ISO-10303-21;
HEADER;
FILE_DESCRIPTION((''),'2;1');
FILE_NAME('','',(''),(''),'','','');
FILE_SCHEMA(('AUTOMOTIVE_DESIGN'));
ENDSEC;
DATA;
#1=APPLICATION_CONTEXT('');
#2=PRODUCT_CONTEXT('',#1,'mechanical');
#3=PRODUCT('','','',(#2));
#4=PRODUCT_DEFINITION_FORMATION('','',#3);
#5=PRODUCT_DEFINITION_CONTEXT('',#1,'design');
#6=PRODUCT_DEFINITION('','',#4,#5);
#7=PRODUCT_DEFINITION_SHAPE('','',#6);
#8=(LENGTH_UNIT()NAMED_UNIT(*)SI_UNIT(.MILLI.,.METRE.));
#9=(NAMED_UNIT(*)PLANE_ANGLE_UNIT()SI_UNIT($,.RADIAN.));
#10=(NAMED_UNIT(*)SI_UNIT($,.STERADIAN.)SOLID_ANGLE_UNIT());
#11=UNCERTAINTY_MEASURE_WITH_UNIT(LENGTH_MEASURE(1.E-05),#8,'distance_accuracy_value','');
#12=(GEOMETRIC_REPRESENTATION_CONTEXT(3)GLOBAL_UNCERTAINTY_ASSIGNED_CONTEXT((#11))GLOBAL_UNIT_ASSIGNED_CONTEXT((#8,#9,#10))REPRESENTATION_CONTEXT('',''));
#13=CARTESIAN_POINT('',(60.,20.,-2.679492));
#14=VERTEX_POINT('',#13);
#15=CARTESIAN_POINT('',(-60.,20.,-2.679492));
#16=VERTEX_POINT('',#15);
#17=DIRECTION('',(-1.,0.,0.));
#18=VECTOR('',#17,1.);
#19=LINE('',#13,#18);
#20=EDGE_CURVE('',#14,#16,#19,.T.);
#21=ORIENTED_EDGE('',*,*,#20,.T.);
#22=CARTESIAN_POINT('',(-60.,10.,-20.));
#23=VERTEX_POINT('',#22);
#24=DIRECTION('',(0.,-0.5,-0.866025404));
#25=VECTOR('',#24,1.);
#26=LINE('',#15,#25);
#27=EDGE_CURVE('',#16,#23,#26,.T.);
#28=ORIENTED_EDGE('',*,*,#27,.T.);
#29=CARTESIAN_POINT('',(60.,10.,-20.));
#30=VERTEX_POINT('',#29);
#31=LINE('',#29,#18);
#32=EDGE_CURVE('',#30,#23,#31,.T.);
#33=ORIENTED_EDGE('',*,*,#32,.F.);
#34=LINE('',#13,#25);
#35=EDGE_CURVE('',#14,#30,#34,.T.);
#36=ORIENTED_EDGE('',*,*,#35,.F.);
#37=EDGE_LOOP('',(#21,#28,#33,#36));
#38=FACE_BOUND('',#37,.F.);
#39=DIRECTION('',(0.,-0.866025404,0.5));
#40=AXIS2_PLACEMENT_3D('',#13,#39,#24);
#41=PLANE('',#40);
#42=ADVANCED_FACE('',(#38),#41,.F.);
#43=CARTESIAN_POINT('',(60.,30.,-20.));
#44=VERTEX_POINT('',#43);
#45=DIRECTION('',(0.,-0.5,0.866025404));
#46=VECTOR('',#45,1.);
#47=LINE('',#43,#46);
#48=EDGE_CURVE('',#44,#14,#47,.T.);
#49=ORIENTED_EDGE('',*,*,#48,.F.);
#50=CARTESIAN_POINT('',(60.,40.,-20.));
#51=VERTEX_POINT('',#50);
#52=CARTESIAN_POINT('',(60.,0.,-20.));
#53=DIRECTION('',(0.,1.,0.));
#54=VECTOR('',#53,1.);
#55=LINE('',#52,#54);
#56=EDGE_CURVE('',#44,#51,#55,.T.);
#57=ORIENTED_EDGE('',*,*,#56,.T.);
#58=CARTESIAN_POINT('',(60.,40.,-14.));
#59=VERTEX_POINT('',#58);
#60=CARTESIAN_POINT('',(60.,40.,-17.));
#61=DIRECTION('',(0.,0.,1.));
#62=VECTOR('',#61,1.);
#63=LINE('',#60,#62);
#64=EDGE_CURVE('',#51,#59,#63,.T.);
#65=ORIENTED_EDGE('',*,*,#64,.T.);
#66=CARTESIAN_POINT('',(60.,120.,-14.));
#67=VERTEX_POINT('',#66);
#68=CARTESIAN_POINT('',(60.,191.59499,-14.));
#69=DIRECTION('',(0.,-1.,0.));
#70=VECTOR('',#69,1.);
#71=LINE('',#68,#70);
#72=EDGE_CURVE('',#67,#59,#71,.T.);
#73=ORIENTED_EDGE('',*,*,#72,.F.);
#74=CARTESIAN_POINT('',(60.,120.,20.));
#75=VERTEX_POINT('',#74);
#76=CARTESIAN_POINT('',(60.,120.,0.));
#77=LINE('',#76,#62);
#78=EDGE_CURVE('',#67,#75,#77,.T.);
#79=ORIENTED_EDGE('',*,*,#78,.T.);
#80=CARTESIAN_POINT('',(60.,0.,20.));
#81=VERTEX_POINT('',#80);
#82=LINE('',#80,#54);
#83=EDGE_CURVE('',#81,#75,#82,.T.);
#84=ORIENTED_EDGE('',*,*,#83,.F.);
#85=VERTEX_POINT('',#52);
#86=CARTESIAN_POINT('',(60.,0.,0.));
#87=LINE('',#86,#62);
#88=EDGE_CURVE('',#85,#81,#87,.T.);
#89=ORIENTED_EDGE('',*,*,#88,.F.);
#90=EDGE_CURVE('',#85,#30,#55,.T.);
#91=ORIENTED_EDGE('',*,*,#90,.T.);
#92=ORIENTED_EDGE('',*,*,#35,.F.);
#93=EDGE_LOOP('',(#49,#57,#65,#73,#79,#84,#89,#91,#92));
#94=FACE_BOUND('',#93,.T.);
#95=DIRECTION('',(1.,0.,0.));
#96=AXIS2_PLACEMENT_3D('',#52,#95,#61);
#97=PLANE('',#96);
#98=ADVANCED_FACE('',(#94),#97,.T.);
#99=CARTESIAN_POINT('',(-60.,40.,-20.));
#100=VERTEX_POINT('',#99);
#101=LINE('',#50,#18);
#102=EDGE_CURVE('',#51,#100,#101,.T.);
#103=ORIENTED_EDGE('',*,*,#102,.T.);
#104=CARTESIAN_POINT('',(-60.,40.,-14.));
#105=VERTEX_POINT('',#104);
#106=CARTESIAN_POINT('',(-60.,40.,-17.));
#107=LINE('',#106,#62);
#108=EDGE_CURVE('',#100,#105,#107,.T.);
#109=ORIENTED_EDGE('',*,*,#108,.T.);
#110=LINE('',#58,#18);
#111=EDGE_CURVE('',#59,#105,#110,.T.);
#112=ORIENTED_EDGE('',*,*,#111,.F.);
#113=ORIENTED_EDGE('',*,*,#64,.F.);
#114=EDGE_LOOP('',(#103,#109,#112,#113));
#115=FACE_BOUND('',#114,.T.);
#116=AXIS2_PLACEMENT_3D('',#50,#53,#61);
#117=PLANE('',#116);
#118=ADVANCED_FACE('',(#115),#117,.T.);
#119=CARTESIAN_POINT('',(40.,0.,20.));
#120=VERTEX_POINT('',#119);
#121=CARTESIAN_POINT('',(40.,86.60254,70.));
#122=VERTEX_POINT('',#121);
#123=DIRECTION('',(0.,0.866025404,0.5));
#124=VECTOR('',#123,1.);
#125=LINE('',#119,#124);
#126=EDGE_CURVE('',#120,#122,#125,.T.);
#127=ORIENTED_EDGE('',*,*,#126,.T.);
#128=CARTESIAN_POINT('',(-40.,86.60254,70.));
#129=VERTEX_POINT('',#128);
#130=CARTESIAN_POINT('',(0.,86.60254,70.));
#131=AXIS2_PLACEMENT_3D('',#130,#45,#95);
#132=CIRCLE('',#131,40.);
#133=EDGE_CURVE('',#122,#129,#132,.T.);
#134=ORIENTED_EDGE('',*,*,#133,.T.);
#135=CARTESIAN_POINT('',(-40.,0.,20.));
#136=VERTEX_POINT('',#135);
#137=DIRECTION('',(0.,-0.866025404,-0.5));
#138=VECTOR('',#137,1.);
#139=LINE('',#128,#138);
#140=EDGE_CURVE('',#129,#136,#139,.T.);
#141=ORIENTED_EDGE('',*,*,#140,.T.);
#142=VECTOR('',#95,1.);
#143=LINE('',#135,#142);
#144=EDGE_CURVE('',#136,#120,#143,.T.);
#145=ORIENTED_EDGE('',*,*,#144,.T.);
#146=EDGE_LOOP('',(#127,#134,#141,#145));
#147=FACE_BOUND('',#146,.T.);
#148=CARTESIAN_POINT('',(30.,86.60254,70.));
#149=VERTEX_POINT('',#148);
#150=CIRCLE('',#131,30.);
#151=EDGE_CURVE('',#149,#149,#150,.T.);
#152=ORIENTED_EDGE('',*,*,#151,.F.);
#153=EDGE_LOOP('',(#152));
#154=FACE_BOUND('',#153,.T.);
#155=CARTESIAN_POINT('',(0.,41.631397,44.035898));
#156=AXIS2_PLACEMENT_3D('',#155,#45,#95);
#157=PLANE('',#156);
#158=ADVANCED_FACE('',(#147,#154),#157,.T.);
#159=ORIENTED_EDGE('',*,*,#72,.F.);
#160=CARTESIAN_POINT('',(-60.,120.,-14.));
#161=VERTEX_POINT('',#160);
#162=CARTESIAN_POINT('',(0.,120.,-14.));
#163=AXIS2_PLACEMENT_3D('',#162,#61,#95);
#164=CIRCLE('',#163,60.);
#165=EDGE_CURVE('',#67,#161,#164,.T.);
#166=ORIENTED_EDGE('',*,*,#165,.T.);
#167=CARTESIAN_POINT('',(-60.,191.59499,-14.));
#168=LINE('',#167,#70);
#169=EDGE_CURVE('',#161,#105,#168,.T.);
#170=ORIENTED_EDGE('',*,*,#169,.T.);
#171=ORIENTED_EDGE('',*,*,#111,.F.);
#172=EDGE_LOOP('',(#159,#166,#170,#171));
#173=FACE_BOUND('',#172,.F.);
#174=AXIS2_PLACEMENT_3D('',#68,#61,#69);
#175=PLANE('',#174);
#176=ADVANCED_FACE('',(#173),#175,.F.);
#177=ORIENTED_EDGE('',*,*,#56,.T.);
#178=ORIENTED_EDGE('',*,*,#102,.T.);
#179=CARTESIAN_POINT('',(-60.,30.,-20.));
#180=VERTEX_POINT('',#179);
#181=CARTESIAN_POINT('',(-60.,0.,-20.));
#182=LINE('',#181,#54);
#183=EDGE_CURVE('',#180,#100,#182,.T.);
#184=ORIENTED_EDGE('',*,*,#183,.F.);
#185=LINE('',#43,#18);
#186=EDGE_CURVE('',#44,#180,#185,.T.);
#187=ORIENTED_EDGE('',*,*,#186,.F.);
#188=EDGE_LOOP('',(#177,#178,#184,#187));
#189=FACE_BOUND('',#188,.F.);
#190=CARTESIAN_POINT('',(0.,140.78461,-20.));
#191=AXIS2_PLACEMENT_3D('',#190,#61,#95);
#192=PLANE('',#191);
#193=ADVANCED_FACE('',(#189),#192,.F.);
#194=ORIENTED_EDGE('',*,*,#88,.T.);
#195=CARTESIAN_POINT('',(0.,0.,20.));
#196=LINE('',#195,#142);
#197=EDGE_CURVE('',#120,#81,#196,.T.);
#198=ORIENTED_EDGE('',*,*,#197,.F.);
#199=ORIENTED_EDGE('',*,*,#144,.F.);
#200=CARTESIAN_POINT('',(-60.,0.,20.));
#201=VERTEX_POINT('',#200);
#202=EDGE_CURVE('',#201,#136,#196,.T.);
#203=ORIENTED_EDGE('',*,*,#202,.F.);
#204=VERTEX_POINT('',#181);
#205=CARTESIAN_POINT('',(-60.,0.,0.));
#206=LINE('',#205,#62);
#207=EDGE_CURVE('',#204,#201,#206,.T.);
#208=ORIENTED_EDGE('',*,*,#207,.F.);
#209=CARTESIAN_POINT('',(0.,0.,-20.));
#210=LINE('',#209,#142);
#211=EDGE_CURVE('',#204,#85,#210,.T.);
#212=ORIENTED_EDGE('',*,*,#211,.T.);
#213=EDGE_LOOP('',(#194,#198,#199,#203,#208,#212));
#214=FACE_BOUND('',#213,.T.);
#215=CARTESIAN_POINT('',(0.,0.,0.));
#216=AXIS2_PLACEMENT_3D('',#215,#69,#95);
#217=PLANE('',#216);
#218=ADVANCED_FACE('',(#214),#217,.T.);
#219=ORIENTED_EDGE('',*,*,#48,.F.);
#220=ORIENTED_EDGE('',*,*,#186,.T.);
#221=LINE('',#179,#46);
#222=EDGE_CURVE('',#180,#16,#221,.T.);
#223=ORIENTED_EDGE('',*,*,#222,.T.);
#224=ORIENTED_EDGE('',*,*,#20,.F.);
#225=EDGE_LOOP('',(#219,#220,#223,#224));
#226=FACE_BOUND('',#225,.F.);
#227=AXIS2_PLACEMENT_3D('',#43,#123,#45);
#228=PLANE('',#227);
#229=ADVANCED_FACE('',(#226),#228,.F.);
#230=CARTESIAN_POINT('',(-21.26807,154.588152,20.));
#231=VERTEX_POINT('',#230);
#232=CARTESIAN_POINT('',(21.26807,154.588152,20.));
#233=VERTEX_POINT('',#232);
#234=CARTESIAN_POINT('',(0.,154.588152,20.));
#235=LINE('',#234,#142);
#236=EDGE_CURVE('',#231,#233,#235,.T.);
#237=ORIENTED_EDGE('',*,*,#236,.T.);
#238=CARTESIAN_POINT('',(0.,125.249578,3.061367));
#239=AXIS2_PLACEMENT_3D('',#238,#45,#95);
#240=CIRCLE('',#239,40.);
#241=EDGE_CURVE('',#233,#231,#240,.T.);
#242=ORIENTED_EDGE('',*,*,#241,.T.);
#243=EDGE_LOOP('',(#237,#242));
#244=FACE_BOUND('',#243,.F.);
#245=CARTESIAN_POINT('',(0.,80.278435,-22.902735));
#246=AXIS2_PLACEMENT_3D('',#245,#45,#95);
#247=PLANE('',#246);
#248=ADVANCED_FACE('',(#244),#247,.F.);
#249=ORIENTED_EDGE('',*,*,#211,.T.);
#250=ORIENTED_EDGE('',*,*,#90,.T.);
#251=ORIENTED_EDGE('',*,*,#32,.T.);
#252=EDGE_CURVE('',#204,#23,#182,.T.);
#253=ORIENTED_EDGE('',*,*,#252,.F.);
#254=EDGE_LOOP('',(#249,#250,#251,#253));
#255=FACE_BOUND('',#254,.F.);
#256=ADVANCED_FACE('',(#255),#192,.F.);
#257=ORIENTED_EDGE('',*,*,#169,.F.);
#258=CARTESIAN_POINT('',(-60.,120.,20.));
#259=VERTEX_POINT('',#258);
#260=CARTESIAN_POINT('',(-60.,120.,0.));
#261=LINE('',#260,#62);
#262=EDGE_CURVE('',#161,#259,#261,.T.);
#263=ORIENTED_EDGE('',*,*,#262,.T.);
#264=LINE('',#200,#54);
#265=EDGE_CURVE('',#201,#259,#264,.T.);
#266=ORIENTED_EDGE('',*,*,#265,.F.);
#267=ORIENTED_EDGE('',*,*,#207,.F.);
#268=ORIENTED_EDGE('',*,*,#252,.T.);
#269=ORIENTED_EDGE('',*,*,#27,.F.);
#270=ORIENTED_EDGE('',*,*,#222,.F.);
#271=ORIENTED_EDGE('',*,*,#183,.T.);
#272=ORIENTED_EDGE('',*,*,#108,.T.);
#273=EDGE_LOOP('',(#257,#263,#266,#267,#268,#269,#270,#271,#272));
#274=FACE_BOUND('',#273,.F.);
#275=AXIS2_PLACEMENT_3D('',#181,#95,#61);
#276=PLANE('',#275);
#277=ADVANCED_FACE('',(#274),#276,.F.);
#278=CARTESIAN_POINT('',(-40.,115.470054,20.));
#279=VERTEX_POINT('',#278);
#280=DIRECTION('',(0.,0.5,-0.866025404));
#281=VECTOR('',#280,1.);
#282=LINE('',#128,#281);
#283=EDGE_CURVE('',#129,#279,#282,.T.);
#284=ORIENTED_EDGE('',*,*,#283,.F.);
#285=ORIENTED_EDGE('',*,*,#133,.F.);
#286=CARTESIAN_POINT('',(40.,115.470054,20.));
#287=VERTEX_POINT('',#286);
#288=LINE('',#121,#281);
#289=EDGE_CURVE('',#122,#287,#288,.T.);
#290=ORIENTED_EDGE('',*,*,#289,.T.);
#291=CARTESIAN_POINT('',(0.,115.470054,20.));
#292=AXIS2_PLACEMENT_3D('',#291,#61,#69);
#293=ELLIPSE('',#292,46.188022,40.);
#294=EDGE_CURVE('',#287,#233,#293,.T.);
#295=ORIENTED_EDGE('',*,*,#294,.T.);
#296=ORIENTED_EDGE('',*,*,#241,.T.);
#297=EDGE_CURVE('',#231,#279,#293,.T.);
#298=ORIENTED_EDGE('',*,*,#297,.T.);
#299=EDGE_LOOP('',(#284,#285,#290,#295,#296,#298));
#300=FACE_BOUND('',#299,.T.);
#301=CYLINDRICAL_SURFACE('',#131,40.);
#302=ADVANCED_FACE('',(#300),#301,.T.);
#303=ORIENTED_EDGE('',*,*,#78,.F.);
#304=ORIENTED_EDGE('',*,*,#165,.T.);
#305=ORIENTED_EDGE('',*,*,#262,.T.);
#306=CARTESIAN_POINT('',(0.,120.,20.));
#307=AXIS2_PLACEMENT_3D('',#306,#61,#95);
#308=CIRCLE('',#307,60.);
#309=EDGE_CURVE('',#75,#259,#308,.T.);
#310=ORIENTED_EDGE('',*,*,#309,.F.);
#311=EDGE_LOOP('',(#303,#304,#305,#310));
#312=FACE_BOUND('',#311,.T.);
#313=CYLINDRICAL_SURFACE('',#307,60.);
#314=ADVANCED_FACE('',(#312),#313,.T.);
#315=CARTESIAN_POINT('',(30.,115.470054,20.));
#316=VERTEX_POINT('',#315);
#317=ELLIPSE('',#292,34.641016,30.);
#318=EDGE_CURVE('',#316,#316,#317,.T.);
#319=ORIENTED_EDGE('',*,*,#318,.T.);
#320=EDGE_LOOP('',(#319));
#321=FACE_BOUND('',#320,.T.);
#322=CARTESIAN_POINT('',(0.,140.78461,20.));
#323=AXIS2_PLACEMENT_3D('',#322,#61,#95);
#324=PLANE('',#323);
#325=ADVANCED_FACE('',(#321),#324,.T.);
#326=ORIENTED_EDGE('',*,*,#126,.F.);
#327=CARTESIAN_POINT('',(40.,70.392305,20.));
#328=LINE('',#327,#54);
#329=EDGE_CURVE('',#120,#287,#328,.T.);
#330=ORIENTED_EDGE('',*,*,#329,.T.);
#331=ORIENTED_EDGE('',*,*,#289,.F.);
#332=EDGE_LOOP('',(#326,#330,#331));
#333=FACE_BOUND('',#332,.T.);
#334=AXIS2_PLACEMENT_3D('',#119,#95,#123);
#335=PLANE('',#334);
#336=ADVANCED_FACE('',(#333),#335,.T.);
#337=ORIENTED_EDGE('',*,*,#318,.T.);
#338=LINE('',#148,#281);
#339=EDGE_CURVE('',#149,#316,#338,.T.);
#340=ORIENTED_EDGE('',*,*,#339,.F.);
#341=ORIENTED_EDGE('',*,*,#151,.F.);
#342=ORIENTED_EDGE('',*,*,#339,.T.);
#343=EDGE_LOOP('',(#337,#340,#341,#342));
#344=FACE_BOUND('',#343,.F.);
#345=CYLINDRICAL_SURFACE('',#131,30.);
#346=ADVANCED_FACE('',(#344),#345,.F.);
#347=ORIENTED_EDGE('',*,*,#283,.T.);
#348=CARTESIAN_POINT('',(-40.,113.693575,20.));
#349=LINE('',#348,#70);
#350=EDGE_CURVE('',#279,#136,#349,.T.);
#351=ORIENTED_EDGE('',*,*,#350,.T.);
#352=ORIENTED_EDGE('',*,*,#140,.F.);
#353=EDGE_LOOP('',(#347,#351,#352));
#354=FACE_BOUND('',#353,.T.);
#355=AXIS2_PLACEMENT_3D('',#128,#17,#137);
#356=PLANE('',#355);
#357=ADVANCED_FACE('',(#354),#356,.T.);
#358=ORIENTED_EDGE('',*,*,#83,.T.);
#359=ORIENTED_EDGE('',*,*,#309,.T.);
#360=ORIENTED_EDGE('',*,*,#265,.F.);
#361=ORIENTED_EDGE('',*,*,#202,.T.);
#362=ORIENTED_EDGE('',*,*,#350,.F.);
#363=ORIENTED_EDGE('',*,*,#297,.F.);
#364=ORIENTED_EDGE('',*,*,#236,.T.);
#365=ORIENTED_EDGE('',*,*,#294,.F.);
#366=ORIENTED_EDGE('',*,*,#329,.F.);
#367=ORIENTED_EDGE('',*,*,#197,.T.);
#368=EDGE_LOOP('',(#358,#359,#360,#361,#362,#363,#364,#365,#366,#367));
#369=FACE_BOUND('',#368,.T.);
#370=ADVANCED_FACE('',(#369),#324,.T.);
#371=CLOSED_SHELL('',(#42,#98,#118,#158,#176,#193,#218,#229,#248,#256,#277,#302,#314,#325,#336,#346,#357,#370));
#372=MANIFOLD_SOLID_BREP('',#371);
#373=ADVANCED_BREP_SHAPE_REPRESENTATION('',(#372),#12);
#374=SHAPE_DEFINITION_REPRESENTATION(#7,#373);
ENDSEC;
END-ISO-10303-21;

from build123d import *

# Parameters (mm, degrees)
F0_W      = 120
F0_H      = 40
F1_DEPTH  = 120
F3_DEPTH  = 40
F5_R      = 30
F8_DEPTH  = 77.2940758616
F9_W      = 80
F9_H      = 6
F9_W_2    = 71.5949898127
F10_DEPTH = 120
F6_DEPTH  = 120
F7_DEPTH  = 80


with BuildPart() as f1:
    # F0 (on Front) → F1 (new body)
    with BuildSketch(Plane.XZ):
        Rectangle(F0_W, F0_H)
    extrude(amount=-F1_DEPTH)

    # F2 (on face) → F3 (join)
    with BuildSketch(Plane.XY.offset(20)):
        with BuildLine():
            Line((-60, 120), (60, 120))
            ThreePointArc((60, 120), (0, 180), (-60, 120))
        make_face()
    extrude(amount=-F3_DEPTH)

    # F5 (on face) → F8 (join)
    with BuildSketch(Plane(origin=(0, -8.6602540378, 15), x_dir=(1, 0, 0), z_dir=(0, -0.5, 0.8660254038))):
        with BuildLine():
            Line((-40, 10), (0, 10))
            Line((0, 10), (40, 10))
            Line((40, 10), (40, 110))
            ThreePointArc((40, 110), (0, 70), (-40, 110))
            Line((-40, 110), (-40, 10))
        make_face()
        with BuildLine():
            ThreePointArc((-40, 110), (0, 70), (40, 110))
            ThreePointArc((40, 110), (0, 150), (-40, 110))
        make_face()
        with Locations((0, 110)):
            Circle(F5_R, mode=Mode.SUBTRACT)
    extrude(amount=-F8_DEPTH)

    # F9 (on face) → F10 (cut)
    with BuildSketch(Plane.YZ.offset(60)):
        with Locations((80, -17)):
            Rectangle(F9_W, F9_H)
        with Locations((155.7974949063, -17)):
            Rectangle(F9_W_2, F9_H)
    extrude(amount=-F10_DEPTH, mode=Mode.SUBTRACT)

    # F11 (on face) → F6 (cut)
    with BuildSketch(Plane.YZ.offset(60)):
        Polygon((20, -2.6794919243), (20, -20), (30, -20), align=None)
        Polygon((10, -20), (20, -20), (20, -2.6794919243), align=None)
    extrude(amount=-F6_DEPTH, mode=Mode.SUBTRACT)

    # F7 (cut): a face of the model
    f7_faces = [f1.faces().sort_by_distance(p)[0] for p in [
        (40, 49.0157227063, -28.9795444194),
    ]]
    extrude(f7_faces, amount=-F7_DEPTH, mode=Mode.SUBTRACT)


solid = f1.part
